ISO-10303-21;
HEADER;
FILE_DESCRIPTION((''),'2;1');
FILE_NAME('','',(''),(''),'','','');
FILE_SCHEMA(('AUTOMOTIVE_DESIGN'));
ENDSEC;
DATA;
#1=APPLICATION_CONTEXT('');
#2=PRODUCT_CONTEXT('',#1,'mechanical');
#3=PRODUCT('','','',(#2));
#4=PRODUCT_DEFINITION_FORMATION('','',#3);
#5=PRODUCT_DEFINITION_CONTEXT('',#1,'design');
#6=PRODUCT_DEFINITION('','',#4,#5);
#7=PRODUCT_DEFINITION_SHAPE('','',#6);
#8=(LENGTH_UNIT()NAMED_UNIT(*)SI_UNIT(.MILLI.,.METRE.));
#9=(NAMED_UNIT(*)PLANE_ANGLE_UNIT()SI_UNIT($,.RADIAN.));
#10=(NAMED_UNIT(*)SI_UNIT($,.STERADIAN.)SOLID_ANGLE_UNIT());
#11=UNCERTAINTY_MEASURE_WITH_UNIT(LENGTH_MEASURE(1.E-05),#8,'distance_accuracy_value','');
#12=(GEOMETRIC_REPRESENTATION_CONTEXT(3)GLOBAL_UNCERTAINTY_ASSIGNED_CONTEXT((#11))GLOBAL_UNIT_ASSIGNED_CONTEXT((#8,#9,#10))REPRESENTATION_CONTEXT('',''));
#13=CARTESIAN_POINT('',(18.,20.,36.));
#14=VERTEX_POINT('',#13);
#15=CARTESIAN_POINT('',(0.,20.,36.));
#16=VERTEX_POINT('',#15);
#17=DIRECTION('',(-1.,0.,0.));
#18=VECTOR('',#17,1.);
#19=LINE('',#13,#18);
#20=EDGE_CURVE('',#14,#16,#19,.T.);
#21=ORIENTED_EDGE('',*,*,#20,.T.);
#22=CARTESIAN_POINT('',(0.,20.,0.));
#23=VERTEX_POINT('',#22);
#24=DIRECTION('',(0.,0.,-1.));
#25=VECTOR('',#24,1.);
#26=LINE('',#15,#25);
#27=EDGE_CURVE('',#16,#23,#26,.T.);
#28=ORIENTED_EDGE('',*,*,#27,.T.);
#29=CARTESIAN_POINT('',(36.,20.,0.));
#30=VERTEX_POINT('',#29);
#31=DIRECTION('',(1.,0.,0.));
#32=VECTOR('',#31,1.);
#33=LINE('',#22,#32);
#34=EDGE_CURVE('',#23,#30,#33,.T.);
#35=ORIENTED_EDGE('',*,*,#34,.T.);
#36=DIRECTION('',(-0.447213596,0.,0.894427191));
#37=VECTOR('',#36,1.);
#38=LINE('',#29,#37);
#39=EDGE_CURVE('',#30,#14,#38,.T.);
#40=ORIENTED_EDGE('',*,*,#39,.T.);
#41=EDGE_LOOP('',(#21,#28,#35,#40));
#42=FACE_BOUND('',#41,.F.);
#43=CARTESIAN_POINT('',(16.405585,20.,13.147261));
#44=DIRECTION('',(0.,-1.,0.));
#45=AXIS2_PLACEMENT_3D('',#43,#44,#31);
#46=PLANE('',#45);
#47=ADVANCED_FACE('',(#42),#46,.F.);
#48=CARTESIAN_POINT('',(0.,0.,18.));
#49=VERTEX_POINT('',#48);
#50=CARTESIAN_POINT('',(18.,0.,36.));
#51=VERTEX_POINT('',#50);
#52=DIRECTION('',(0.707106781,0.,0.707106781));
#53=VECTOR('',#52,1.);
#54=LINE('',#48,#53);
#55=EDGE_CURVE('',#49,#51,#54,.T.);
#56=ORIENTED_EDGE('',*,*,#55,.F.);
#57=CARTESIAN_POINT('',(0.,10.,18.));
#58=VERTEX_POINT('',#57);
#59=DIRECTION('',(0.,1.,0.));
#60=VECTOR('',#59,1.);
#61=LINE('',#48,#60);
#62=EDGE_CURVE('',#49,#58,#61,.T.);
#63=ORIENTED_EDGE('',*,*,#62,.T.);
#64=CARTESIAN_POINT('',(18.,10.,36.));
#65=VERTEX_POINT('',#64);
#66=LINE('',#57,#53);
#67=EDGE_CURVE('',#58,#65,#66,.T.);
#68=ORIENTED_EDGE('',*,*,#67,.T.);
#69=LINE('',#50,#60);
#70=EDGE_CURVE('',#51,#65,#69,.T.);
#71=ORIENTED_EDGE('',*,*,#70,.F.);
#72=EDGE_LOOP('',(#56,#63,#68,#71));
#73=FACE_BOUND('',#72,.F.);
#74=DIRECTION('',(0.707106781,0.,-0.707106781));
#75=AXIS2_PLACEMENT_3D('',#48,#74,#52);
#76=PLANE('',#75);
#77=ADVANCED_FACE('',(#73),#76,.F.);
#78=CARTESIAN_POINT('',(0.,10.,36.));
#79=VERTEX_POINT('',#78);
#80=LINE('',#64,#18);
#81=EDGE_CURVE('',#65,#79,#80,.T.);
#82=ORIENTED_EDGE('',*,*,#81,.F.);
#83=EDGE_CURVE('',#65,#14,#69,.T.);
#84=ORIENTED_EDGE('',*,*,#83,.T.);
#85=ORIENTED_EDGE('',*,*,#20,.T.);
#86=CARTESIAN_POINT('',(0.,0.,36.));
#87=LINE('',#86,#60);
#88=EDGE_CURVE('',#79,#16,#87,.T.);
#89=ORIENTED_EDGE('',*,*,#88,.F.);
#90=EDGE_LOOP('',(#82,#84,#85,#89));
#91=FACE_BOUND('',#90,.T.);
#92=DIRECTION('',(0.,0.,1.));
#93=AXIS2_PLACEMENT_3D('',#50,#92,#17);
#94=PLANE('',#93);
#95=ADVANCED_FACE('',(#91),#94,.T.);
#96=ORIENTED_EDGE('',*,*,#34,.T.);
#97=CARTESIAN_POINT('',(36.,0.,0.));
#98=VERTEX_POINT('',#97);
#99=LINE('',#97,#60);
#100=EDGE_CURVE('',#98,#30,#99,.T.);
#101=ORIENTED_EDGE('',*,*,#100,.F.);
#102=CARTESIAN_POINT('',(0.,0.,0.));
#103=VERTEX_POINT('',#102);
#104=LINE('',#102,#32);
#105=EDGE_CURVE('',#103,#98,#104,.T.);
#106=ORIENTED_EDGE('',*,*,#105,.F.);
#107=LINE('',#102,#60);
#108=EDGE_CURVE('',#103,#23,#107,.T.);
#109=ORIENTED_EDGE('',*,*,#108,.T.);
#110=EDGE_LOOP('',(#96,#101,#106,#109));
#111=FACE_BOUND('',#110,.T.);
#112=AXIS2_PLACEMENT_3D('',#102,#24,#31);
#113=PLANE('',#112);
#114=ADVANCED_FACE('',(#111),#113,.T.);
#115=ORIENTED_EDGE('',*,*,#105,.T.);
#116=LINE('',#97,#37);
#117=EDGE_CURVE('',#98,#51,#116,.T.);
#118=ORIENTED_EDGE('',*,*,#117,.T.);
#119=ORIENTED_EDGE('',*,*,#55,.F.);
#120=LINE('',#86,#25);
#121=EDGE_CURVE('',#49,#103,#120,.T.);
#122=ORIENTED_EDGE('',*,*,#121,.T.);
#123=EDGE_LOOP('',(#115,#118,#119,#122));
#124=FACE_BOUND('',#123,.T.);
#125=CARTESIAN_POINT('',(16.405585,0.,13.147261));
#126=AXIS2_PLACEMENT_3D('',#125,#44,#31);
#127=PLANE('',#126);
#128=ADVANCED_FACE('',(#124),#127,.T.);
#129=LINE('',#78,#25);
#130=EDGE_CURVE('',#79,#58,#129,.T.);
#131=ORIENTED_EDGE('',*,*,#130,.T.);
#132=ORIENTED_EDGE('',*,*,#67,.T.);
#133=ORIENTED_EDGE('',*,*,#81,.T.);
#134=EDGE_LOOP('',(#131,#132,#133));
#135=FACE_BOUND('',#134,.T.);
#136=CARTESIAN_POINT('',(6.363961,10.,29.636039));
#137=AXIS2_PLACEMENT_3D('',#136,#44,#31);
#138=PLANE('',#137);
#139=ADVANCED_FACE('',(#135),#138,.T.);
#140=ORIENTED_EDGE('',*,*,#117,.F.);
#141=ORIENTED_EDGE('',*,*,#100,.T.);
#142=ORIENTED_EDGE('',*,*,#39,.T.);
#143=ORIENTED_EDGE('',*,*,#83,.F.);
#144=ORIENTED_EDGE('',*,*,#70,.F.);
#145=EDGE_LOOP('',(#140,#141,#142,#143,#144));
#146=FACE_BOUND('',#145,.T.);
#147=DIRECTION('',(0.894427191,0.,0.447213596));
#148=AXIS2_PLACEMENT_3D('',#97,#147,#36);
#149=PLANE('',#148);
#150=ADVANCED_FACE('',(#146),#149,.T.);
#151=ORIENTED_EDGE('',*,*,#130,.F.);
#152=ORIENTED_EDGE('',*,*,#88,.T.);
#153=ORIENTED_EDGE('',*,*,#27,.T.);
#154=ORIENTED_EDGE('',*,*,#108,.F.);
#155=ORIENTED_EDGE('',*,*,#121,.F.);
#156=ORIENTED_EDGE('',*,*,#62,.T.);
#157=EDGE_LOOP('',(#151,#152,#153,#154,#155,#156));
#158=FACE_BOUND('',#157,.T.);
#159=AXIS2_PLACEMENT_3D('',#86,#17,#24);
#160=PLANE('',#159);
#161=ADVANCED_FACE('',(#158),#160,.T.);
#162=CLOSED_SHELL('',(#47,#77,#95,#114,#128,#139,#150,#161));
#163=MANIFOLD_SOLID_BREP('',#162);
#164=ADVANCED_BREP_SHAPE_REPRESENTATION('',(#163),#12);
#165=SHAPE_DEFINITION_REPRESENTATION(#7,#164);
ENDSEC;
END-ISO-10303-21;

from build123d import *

# Parameters (mm, degrees)
F1_DEPTH = 20
F2_DEPTH = 10


with BuildPart() as f1:
    # F0 (on Front) → F1 (new body)
    with BuildSketch(Plane.XZ):
        Polygon((0, 18), (0, 0), (36, 0), (18, 36), align=None)
        Polygon((0, 36), (0, 18), (18, 36), align=None)
    extrude(amount=-F1_DEPTH)

    # F0 (on Front) → F2 (cut)
    with BuildSketch(Plane.XZ):
        Polygon((0, 36), (0, 18), (18, 36), align=None)
    extrude(amount=-F2_DEPTH, mode=Mode.SUBTRACT)


solid = f1.part
